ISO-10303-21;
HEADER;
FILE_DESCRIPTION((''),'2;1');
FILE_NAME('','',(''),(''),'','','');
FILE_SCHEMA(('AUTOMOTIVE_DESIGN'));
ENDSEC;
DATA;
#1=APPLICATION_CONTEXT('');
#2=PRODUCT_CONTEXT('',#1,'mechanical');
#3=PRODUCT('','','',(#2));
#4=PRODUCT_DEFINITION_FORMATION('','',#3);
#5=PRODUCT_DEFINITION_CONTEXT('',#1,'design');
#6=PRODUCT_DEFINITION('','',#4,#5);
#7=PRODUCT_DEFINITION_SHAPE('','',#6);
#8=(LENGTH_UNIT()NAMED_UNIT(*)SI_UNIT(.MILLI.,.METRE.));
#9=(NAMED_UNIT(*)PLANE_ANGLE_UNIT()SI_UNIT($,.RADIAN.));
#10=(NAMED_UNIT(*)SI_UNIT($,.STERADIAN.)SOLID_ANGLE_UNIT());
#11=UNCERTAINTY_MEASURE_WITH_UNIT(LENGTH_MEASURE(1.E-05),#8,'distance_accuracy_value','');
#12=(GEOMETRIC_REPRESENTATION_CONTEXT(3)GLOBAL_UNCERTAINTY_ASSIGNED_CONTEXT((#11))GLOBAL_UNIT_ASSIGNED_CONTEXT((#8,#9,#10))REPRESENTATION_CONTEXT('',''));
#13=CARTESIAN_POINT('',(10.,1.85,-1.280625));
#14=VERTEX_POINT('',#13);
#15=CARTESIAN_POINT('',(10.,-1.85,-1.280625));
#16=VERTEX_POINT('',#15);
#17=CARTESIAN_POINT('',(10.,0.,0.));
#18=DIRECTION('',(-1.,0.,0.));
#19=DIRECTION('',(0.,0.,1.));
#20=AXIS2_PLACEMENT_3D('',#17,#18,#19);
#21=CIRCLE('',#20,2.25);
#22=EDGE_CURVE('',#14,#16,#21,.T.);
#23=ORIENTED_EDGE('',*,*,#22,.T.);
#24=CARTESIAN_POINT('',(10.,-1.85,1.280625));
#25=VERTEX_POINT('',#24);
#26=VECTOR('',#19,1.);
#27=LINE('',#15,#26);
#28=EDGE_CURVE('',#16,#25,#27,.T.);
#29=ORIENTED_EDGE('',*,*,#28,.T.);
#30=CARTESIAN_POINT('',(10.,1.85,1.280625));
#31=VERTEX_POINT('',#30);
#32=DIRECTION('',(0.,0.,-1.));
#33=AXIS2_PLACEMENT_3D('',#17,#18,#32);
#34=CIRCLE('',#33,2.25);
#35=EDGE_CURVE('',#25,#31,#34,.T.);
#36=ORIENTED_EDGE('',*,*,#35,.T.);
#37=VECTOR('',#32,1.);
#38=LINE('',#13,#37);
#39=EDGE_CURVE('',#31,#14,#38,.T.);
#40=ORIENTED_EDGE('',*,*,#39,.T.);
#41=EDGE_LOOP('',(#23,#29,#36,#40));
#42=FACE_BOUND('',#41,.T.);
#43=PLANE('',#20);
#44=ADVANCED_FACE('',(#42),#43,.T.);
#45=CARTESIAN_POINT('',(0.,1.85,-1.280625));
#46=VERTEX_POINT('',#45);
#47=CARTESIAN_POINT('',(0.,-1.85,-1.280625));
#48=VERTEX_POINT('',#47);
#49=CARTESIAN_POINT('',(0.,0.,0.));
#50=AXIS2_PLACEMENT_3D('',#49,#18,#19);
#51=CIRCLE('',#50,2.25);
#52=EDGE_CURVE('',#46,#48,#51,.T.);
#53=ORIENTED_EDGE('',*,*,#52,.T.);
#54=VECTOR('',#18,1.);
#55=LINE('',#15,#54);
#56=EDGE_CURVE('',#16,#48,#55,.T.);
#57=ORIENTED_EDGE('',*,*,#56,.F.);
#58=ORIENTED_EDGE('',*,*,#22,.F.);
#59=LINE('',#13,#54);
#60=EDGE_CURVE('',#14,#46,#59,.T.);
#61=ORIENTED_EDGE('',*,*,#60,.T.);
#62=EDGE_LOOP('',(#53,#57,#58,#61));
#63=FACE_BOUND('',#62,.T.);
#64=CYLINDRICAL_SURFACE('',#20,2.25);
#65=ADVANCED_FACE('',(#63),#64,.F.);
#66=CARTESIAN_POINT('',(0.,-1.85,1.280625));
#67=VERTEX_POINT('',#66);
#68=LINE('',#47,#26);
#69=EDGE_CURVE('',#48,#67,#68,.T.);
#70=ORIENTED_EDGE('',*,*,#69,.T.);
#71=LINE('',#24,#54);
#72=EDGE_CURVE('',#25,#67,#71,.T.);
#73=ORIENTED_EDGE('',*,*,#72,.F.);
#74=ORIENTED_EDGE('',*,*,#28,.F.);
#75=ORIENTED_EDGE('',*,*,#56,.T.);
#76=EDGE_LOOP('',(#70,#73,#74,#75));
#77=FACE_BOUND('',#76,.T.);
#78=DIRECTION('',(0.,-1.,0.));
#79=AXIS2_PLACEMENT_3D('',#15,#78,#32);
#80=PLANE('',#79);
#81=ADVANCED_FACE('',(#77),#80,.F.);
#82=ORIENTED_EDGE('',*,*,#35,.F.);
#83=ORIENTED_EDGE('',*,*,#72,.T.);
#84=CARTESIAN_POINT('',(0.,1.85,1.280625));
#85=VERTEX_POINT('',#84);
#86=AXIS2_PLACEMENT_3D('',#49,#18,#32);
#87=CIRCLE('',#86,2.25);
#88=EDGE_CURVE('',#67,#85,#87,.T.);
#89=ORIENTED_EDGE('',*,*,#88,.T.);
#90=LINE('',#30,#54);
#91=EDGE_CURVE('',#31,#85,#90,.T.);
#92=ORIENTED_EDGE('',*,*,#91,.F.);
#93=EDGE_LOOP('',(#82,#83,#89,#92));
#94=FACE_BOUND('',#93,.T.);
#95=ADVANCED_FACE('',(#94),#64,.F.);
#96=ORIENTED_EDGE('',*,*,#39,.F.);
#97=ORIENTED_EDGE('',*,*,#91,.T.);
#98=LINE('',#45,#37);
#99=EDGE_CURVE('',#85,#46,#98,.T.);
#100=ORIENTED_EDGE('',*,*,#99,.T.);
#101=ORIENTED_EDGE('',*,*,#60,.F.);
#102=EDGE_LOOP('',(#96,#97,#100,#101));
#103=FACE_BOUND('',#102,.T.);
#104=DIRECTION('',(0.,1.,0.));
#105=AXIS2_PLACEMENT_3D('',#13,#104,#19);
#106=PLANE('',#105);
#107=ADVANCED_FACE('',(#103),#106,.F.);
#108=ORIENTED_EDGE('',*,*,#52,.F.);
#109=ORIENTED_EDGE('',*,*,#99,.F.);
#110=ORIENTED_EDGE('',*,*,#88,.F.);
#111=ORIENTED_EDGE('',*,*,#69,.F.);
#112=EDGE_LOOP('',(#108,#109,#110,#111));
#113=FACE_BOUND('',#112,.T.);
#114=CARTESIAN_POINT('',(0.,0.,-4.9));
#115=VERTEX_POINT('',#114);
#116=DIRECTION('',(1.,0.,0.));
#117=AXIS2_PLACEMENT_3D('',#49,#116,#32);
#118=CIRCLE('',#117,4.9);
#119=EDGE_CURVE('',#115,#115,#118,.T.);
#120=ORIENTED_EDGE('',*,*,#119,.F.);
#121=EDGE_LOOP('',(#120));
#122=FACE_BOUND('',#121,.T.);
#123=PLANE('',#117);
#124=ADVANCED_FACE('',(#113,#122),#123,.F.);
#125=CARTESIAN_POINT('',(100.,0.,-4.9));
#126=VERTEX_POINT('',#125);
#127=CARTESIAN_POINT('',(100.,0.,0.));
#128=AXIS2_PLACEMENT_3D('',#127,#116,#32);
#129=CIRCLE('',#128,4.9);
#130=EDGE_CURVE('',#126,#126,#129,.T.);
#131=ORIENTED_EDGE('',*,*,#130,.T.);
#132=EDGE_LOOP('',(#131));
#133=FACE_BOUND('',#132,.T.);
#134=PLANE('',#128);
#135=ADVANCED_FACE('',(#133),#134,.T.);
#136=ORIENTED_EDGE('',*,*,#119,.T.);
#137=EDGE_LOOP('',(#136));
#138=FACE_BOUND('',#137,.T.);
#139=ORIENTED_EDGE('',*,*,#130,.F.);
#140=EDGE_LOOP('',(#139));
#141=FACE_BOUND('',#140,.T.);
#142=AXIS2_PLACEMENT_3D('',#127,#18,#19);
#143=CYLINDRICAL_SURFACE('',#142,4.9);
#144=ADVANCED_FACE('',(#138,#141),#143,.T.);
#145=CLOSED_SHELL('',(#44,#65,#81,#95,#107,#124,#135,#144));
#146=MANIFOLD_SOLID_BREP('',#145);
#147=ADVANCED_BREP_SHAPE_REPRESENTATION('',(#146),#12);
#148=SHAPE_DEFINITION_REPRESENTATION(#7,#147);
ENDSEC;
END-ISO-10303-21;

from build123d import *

# Parameters (mm, degrees)
SKETCH1_R           = 4.9
BOSS_EXTRUDE1_DEPTH = 100
CUT_EXTRUDE1_DEPTH  = 10


with BuildPart() as part:
    # Sketch1 → Boss-Extrude1 (new body)
    with BuildSketch(Plane.YZ):
        with Locations(Location((0, 0, 0), (0, 0, 270))):
            Circle(SKETCH1_R)
    extrude(amount=BOSS_EXTRUDE1_DEPTH)

    # Sketch2 → Cut-Extrude1 (cut)
    with BuildSketch(Plane(origin=(0, 0, 0), x_dir=(0, -1, 0), z_dir=(-1, 0, 0))):
        with BuildLine():
            Line((-1.85, -1.280624847), (-1.85, 1.280624847))
            ThreePointArc((-1.85, 1.280624847), (0, 2.25), (1.85, 1.280624847))
            Line((1.85, 1.280624847), (1.85, -1.280624847))
            ThreePointArc((1.85, -1.280624847), (0, -2.25), (-1.85, -1.280624847))
        make_face()
    extrude(amount=-CUT_EXTRUDE1_DEPTH, mode=Mode.SUBTRACT)


solid = part.part
